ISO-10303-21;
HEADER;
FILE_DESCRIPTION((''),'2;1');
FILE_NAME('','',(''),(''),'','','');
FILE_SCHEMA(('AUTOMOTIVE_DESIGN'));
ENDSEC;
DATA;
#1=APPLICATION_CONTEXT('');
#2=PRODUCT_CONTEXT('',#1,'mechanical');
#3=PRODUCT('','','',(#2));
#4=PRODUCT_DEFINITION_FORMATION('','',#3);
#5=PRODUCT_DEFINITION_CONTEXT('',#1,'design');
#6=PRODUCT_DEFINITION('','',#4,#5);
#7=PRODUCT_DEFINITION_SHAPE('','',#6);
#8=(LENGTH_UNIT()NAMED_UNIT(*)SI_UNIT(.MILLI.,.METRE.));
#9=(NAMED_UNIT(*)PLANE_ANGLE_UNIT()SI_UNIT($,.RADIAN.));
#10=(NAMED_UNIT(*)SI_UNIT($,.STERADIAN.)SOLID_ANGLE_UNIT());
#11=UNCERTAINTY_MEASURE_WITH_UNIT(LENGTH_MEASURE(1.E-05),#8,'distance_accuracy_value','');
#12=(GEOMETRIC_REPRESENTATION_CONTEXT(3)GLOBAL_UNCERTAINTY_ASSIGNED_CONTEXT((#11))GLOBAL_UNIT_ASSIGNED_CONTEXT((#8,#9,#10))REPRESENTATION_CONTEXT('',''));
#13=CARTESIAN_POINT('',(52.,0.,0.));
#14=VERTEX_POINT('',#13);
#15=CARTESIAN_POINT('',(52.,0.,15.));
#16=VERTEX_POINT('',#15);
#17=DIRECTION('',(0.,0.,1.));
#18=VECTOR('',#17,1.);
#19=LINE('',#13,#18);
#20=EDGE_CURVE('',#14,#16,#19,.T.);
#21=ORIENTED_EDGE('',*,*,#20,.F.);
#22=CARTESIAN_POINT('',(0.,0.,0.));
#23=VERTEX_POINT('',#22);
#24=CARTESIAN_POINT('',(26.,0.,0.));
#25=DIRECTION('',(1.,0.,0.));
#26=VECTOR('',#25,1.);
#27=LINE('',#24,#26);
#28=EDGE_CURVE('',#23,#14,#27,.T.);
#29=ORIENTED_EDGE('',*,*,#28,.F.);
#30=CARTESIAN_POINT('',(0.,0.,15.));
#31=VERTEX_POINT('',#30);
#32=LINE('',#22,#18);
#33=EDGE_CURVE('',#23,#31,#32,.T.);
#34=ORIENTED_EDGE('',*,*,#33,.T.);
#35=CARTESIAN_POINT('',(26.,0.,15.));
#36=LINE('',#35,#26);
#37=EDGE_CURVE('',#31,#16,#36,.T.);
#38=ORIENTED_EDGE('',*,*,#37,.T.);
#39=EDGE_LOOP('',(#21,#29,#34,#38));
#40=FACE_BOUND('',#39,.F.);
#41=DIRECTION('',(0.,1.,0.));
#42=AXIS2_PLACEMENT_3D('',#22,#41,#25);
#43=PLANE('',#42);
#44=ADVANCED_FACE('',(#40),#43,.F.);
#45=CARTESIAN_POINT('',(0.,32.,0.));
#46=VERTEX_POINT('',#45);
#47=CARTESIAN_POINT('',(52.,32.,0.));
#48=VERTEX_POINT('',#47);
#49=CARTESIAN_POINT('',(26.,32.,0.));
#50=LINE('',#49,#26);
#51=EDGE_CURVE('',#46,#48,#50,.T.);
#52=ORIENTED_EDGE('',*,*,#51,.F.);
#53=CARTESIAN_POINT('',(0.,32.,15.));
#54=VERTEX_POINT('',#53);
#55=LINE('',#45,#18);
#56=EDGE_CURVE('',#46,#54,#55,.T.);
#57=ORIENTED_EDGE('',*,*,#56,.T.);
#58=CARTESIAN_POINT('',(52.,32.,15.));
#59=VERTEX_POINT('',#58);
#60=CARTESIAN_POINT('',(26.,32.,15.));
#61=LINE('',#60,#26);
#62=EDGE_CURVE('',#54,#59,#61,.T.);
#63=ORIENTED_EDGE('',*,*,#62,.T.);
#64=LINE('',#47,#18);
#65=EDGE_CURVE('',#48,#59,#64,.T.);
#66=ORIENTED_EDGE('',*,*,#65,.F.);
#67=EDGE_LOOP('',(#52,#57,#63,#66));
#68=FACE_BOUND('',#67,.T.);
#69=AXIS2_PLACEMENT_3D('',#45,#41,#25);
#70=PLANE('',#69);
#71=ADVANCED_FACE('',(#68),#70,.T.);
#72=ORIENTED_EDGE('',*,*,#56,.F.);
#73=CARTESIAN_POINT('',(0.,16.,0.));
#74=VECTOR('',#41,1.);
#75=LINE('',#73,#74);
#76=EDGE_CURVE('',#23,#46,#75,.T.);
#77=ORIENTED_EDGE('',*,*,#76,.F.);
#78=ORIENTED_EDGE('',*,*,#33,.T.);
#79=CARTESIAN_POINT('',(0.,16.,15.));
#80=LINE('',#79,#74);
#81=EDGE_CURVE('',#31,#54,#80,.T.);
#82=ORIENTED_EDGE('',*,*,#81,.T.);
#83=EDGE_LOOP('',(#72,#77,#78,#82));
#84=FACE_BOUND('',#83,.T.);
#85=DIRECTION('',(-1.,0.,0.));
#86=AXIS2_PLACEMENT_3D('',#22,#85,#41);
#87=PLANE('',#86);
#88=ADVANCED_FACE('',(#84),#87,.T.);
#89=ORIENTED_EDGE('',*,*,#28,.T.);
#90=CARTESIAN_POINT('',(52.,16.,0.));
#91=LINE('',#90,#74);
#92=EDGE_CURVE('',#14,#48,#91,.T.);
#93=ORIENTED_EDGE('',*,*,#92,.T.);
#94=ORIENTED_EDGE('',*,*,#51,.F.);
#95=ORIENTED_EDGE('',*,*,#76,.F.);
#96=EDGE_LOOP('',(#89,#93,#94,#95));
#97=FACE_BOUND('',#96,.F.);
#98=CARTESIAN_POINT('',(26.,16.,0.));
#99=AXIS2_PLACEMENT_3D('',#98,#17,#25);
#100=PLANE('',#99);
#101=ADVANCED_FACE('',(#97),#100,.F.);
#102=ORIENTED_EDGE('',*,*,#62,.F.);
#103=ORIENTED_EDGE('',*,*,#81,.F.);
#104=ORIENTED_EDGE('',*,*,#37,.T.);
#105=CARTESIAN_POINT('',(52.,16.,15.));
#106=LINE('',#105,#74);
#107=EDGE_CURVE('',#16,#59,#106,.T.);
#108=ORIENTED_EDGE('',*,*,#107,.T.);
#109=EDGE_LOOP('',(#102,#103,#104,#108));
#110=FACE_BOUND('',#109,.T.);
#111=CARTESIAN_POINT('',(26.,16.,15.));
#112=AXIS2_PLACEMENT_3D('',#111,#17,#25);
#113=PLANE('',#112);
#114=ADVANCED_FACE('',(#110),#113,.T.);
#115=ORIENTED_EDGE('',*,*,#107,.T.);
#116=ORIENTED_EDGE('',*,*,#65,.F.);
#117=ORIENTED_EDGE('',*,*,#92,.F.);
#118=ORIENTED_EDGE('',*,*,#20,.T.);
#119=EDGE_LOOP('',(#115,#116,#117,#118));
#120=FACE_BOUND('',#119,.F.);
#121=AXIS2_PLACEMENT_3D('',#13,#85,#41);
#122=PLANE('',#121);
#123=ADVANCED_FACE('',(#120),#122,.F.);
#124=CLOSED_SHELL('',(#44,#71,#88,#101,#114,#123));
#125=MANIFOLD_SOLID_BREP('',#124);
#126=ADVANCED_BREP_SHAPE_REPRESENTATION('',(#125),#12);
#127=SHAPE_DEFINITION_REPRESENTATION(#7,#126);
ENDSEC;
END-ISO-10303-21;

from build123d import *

# Parameters (mm, degrees)
SKETCH_W  = 52
SKETCH_H  = 32
PAD_DEPTH = 15


with BuildPart() as part:
    # Sketch → Pad (new body)
    with BuildSketch(Plane.XY):
        with Locations((26, 16)):
            Rectangle(SKETCH_W, SKETCH_H)
    extrude(amount=PAD_DEPTH)


solid = part.part
